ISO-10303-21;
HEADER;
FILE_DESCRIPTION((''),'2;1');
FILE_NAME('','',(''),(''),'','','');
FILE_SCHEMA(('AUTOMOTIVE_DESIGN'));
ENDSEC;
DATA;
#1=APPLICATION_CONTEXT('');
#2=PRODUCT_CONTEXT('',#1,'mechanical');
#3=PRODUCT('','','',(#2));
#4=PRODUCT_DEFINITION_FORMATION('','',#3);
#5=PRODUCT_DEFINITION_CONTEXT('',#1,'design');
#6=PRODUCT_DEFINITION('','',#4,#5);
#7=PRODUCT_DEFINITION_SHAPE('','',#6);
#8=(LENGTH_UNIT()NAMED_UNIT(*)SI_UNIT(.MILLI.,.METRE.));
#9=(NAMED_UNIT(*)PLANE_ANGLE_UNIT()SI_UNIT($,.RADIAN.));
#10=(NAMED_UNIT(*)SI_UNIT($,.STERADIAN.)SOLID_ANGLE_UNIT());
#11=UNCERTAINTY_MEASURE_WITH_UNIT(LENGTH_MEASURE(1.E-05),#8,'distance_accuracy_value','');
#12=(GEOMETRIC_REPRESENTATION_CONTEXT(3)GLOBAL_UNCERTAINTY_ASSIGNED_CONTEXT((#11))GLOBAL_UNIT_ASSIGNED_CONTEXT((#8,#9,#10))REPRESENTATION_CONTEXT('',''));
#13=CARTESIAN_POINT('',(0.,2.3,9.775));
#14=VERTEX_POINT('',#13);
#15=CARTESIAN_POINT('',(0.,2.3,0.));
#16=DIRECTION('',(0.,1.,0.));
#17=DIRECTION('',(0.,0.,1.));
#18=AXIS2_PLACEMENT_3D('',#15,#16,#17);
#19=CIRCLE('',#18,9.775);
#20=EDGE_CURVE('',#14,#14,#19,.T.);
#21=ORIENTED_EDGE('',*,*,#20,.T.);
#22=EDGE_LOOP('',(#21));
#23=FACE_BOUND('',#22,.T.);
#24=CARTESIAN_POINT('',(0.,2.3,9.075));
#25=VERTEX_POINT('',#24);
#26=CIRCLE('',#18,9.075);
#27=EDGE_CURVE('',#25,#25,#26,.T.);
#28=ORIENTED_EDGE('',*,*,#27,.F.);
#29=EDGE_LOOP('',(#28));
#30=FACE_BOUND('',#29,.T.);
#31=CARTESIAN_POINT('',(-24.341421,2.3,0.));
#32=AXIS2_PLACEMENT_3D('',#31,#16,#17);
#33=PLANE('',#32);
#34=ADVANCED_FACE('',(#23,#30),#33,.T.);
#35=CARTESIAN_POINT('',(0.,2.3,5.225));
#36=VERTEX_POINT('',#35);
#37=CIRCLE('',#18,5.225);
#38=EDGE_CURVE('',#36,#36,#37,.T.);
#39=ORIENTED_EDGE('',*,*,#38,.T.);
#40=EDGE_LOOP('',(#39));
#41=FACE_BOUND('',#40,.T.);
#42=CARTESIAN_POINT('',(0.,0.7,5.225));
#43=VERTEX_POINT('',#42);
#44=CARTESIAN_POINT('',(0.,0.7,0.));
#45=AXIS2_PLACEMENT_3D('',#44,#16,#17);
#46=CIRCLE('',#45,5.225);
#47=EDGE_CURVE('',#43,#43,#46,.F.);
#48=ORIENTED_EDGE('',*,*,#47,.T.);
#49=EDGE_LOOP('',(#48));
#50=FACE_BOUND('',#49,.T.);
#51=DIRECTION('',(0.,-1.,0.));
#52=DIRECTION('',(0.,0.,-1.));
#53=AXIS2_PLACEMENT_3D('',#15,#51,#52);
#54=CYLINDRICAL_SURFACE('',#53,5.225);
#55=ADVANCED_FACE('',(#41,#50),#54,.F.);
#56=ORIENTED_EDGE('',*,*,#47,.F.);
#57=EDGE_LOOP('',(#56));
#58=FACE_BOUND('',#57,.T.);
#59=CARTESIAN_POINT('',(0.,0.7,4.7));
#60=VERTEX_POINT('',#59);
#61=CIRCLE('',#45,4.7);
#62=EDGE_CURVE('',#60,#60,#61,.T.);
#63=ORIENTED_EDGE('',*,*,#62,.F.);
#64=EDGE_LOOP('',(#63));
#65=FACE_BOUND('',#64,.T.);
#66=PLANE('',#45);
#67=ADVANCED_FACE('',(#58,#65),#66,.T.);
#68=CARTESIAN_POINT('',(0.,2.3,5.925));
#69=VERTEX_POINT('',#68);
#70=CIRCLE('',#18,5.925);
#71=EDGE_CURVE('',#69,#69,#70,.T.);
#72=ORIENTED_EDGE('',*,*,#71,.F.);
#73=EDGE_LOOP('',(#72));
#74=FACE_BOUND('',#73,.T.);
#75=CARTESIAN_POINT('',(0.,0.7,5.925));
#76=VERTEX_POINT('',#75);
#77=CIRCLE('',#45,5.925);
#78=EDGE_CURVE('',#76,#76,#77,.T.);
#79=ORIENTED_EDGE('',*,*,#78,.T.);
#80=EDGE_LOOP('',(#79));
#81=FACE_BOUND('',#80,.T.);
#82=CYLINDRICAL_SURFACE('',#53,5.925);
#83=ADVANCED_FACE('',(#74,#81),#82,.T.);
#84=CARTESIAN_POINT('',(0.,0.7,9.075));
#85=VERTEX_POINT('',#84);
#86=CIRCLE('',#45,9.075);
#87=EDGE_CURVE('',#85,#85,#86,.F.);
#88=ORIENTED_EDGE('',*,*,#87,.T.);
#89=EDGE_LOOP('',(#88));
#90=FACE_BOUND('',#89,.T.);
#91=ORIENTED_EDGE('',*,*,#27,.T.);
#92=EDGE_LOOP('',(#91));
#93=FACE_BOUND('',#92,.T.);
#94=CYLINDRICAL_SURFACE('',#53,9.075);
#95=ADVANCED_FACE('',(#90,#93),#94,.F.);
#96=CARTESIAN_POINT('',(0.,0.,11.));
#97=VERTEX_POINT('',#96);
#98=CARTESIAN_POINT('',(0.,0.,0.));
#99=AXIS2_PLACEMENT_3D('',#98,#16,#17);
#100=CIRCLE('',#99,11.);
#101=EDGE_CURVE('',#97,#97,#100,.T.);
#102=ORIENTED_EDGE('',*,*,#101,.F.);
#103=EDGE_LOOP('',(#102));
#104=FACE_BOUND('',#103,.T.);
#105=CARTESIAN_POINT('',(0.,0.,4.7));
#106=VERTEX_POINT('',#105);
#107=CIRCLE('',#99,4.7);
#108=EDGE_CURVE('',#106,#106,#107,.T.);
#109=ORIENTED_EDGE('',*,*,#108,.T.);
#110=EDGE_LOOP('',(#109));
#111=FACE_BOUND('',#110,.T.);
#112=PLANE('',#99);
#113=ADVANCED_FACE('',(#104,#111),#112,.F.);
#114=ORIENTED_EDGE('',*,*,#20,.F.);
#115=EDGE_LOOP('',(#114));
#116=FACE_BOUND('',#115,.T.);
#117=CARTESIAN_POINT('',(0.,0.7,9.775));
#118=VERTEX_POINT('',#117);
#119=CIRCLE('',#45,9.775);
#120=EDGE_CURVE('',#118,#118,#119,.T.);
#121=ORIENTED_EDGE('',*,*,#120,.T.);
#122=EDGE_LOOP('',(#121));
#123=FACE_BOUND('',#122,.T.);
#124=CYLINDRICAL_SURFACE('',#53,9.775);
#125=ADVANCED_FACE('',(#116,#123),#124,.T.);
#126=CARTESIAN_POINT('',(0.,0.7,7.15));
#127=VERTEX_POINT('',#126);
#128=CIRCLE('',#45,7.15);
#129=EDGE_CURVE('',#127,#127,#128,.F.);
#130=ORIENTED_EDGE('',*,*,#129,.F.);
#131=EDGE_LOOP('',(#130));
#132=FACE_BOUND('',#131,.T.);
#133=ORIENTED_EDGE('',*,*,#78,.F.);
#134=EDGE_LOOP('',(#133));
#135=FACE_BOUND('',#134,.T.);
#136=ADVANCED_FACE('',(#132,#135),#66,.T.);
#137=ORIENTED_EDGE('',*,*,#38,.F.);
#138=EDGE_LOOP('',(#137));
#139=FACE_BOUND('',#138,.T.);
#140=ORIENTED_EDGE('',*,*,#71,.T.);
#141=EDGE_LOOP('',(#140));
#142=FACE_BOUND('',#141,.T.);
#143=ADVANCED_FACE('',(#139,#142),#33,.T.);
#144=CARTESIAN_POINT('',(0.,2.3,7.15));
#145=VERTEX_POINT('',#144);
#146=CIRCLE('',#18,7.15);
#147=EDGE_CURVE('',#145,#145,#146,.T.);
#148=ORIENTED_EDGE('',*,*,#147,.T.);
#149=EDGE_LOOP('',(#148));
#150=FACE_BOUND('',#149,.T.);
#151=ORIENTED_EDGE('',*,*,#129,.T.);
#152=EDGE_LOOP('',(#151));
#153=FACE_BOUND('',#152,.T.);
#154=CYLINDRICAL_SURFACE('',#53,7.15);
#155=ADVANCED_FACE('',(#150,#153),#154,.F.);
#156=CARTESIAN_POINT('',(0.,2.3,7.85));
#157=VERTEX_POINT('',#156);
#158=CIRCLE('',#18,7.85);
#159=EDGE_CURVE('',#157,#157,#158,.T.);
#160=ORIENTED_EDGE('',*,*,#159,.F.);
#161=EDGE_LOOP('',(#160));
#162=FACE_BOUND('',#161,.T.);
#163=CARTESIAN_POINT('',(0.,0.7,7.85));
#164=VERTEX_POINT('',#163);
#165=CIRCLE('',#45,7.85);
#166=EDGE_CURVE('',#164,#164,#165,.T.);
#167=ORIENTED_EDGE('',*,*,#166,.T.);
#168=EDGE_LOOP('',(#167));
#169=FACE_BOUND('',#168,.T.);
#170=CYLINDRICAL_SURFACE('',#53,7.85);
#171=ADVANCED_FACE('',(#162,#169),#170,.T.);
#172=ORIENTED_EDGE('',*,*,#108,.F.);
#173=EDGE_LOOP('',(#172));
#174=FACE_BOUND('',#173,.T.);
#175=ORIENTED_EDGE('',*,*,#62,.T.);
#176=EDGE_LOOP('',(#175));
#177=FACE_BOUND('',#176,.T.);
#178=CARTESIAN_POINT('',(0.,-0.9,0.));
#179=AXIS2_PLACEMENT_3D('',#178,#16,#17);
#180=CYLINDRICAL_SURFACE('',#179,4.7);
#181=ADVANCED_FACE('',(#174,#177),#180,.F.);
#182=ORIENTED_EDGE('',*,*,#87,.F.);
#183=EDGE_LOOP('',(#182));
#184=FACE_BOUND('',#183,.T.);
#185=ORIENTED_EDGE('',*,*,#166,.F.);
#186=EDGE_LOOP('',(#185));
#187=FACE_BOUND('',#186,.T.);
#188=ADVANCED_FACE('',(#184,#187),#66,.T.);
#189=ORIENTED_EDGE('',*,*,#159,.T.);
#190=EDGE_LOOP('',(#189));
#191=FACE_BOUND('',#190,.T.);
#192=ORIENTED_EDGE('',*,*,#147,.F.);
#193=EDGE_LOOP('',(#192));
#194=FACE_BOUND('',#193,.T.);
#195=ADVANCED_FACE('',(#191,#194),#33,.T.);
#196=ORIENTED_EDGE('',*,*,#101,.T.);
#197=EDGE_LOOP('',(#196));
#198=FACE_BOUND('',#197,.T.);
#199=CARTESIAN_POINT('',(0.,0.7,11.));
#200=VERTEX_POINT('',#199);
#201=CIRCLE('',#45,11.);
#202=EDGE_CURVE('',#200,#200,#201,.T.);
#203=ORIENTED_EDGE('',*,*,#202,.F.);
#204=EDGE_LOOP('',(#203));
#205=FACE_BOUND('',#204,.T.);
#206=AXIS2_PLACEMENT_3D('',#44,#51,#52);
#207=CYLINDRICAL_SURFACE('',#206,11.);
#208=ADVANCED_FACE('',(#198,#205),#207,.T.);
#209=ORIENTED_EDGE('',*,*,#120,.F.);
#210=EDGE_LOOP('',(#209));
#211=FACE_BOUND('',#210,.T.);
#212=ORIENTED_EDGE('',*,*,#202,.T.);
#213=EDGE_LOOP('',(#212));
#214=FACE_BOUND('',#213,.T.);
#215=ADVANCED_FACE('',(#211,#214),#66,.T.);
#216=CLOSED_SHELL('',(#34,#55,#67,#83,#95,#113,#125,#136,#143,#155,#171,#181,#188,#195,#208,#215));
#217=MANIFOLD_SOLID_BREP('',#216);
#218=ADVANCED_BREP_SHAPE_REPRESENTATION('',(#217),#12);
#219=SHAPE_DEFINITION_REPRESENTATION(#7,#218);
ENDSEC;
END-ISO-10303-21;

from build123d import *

# Parameters (mm, degrees)
CROQUIS1_R     = 11
EXTRUIR1_DEPTH = 0.7
CROQUIS2_R     = 9.775
CROQUIS2_R_2   = 9.075
CROQUIS2_R_3   = 7.85
CROQUIS2_R_4   = 7.15
CROQUIS2_R_5   = 5.925
CROQUIS2_R_6   = 5.225
EXTRUIR2_DEPTH = 1.6
CROQUIS3_R     = 4.7
EXTRUIR3_DEPTH = 1.6


with BuildPart() as part:
    # Croquis1 → Extruir1 (new body)
    with BuildSketch(Plane(origin=(0, 0, 0), x_dir=(1, 0, 0), z_dir=(0, 1, 0))):
        with Locations(Location((0, 0, 0), (0, 0, 270))):
            Circle(CROQUIS1_R)
    extrude(amount=EXTRUIR1_DEPTH)

    # Croquis2 → Extruir2 (add)
    # profile 1 of 3: a face of its own
    with BuildSketch(Plane(origin=(0, 0.7, 0), x_dir=(1, 0, 0), z_dir=(0, 1, 0))):
        with Locations(Location((0, 0, 0), (0, 0, 270))):
            Circle(CROQUIS2_R)
        with Locations(Location((0, 0, 0), (0, 0, 270))):
            Circle(CROQUIS2_R_2, mode=Mode.SUBTRACT)
    # profile 2 of 3: a face of its own
    with BuildSketch(Plane(origin=(0, 0.7, 0), x_dir=(1, 0, 0), z_dir=(0, 1, 0))):
        with Locations(Location((0, 0, 0), (0, 0, 270))):
            Circle(CROQUIS2_R_3)
        with Locations(Location((0, 0, 0), (0, 0, 270))):
            Circle(CROQUIS2_R_4, mode=Mode.SUBTRACT)
    # profile 3 of 3: a face of its own
    with BuildSketch(Plane(origin=(0, 0.7, 0), x_dir=(1, 0, 0), z_dir=(0, 1, 0))):
        with Locations(Location((0, 0, 0), (0, 0, 270))):
            Circle(CROQUIS2_R_5)
        with Locations(Location((0, 0, 0), (0, 0, 270))):
            Circle(CROQUIS2_R_6, mode=Mode.SUBTRACT)
    extrude(amount=EXTRUIR2_DEPTH)

    # Croquis3 → Extruir3 (cut)
    with BuildSketch(Plane(origin=(0, 0.7, 0), x_dir=(1, 0, 0), z_dir=(0, 1, 0))):
        with Locations(Location((0, 0, 0), (0, 0, 270))):
            Circle(CROQUIS3_R)
    extrude(amount=-EXTRUIR3_DEPTH, mode=Mode.SUBTRACT)


solid = part.part
